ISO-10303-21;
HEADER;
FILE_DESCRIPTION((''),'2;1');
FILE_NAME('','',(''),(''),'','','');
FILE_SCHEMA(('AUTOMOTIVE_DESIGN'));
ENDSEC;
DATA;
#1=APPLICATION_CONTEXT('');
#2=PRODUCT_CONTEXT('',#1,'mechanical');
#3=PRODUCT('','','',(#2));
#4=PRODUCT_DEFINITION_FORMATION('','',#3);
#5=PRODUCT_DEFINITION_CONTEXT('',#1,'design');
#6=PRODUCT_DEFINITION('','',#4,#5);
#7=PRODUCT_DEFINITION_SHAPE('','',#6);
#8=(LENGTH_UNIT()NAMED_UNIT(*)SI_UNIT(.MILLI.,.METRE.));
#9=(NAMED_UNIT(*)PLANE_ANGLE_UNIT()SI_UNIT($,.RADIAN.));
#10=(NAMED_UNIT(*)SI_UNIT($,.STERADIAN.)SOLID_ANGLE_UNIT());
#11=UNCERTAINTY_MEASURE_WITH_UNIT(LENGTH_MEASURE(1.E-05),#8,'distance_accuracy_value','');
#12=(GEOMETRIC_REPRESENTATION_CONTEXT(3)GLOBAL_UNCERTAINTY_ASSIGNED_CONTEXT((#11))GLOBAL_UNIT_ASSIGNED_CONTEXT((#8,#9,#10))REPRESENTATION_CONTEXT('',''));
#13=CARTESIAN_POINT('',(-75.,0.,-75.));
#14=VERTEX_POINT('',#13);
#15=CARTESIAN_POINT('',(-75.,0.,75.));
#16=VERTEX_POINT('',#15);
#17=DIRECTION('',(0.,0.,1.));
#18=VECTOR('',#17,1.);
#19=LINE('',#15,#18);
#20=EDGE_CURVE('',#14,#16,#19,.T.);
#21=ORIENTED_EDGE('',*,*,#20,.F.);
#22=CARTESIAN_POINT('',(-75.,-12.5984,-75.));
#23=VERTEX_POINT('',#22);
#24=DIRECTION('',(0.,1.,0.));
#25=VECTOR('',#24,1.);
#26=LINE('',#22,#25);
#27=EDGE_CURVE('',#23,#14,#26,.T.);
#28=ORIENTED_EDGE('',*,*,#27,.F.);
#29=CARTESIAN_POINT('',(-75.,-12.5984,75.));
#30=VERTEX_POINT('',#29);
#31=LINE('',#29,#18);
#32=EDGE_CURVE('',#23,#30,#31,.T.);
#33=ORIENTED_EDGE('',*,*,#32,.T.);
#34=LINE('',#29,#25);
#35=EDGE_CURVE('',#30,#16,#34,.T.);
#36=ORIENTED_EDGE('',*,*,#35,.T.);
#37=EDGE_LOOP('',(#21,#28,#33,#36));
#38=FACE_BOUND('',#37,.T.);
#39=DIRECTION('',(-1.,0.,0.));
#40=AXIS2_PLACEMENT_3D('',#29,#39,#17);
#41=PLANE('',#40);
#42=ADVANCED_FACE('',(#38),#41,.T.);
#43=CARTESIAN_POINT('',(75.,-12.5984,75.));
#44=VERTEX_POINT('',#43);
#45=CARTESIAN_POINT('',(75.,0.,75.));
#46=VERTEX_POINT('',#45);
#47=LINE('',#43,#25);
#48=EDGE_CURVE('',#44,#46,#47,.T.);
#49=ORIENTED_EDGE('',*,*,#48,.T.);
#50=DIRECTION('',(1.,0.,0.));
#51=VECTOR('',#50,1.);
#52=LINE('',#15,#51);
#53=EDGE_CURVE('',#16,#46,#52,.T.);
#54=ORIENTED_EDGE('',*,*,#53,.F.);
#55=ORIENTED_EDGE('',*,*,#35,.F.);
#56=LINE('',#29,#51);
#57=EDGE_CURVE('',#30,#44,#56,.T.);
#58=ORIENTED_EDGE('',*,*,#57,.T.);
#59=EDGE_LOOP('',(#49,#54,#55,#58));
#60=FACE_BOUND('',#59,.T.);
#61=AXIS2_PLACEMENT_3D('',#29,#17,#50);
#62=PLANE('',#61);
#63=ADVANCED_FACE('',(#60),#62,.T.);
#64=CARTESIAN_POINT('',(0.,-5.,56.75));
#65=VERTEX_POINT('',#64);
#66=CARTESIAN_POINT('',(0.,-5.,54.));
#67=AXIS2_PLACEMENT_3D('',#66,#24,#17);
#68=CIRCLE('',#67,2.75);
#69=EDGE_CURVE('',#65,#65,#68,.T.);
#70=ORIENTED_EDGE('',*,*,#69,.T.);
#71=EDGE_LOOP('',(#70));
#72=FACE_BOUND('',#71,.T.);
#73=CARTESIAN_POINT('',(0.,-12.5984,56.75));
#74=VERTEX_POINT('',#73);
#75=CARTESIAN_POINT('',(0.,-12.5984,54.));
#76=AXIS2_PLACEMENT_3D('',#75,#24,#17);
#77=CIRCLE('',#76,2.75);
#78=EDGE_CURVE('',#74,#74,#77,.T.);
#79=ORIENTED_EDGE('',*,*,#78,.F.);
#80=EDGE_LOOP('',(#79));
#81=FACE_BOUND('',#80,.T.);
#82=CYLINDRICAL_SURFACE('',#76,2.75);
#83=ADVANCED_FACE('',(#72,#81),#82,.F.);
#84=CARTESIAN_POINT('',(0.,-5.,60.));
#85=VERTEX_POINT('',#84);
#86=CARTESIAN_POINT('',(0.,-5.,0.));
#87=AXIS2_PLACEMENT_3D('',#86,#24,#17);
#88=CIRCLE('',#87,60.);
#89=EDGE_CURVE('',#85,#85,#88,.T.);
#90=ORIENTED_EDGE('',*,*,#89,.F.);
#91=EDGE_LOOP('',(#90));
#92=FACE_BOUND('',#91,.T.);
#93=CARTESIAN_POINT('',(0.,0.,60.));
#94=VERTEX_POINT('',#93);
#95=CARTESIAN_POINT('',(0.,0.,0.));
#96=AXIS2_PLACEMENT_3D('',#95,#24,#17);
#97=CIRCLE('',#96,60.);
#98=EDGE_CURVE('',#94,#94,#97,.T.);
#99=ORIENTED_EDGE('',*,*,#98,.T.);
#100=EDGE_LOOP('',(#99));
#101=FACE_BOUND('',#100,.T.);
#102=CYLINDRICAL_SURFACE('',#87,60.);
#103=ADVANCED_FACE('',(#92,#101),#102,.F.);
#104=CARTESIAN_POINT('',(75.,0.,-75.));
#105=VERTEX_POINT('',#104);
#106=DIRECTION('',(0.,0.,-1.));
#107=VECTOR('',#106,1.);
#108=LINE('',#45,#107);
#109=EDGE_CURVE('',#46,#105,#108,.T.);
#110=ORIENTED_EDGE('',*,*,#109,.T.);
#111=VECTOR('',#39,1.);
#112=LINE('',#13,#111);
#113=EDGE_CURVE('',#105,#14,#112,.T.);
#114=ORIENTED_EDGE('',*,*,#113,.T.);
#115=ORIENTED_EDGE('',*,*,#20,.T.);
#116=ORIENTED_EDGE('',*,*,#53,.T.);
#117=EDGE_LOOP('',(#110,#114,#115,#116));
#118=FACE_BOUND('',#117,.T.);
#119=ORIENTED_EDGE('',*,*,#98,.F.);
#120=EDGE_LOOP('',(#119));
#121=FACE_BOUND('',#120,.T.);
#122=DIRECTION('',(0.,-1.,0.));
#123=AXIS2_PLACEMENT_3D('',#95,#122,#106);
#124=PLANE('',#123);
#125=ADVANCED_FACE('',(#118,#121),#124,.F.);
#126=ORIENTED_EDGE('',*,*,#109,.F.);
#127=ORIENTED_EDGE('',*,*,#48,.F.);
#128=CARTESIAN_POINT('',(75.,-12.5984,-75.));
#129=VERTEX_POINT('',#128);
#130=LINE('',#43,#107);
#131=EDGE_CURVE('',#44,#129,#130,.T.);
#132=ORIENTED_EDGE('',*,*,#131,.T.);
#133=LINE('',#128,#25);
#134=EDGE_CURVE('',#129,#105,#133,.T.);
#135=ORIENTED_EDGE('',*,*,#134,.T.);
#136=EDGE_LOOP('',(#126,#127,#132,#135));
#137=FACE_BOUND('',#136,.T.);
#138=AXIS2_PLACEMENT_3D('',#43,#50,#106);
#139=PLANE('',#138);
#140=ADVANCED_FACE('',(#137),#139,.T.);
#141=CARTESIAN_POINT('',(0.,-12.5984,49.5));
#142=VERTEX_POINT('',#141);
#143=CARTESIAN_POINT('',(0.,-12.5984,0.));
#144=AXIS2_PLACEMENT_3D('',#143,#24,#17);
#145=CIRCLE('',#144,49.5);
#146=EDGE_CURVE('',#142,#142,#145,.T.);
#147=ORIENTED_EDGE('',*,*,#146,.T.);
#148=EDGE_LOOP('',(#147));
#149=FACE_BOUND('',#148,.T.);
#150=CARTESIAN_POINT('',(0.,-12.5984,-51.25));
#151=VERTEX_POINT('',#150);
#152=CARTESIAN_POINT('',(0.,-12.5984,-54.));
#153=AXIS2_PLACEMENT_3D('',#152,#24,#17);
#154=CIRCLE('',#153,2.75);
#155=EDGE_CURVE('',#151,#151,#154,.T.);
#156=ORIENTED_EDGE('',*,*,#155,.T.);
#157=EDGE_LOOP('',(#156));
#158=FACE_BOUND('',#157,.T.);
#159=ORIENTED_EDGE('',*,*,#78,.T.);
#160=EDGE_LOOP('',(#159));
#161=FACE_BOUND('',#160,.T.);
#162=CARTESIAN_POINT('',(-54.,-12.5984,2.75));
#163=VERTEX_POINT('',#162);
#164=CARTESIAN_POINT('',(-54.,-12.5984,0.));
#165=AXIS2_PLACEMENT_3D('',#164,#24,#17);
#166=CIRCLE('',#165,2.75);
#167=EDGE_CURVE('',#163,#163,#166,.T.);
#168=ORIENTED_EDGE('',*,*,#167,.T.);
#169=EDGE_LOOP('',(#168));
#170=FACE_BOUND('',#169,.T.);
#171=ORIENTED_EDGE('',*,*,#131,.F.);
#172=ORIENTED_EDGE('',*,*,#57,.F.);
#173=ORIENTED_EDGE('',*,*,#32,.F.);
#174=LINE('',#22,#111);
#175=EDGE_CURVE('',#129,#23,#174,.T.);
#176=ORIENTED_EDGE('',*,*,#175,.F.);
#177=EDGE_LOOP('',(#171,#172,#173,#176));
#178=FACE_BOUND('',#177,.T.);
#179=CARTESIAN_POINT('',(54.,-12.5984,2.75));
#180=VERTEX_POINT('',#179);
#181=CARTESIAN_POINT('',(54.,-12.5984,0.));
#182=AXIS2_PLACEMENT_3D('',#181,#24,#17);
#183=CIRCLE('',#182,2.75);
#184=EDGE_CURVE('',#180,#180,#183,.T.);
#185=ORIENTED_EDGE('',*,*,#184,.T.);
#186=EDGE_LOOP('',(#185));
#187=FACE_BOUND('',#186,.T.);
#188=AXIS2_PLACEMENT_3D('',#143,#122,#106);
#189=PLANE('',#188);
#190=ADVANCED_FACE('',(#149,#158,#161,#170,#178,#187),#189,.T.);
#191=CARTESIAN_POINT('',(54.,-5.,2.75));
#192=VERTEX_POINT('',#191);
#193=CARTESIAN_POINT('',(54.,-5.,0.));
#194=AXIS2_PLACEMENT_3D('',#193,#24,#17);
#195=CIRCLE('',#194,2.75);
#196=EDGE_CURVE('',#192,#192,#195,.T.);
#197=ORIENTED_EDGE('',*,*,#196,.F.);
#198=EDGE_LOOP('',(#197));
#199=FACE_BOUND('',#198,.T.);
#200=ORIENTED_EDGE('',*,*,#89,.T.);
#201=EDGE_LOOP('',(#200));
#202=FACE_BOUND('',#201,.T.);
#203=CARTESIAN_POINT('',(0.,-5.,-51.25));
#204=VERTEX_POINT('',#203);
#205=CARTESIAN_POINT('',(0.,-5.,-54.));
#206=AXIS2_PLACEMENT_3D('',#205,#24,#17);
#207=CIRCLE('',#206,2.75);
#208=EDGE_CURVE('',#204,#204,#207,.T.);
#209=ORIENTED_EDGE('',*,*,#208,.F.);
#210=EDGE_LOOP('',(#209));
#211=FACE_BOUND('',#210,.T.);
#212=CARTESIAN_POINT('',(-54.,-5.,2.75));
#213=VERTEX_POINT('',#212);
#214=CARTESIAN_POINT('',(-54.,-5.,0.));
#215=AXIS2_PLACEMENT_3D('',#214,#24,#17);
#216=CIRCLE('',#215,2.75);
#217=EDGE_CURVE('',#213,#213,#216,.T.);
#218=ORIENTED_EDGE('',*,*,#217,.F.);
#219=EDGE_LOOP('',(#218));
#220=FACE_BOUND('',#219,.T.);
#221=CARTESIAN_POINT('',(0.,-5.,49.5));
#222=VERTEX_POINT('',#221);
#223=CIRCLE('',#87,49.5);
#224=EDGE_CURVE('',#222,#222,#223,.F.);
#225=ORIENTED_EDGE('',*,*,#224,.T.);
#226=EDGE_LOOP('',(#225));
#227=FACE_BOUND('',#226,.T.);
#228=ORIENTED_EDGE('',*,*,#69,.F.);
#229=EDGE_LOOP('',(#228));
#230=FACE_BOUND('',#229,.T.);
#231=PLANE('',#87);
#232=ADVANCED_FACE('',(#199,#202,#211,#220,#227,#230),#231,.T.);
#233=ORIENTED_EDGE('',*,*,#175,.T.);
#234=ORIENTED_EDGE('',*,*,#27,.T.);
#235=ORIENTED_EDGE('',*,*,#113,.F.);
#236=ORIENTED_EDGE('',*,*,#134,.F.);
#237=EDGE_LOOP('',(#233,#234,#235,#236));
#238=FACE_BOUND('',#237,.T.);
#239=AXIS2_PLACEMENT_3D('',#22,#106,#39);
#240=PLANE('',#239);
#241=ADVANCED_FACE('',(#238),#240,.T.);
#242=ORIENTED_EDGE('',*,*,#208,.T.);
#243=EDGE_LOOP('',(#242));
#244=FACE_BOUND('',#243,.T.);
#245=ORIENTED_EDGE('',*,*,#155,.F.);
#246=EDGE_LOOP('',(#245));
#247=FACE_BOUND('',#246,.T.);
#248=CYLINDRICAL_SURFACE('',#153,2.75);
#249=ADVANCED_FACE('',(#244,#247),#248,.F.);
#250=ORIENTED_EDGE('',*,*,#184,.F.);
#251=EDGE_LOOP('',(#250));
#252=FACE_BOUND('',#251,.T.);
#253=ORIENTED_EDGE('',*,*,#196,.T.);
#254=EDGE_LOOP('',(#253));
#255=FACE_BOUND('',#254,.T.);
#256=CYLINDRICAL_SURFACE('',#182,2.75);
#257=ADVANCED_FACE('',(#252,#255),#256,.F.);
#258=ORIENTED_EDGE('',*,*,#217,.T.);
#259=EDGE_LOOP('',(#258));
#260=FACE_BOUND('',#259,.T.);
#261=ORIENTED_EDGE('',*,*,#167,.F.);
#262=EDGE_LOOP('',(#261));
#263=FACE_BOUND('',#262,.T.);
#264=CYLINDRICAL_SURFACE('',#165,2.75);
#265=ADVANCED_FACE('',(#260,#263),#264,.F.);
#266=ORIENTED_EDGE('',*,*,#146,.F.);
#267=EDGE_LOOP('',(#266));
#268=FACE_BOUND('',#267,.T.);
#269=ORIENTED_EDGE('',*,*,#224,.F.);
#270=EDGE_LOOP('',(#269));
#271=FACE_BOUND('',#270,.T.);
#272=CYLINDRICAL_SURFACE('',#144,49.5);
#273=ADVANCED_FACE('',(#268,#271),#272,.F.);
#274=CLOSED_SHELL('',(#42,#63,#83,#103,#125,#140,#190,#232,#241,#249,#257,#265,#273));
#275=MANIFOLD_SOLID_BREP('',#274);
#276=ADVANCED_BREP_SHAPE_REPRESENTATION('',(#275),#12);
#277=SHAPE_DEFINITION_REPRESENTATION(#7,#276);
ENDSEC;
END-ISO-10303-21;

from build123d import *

# Parameters (mm, degrees)
SKETCH1_W               = 150
SKETCH1_H               = 150
SKETCH1_R               = 49.5
BOSS_EXTRUDE1_DEPTH     = 12.5984
SKETCH2_R               = 60
CUT_EXTRUDE1_DEPTH      = 5
CUT_EXTRUDE2_DEPTH      = 107.81160837
CUT_EXTRUDE2_DEPTH_BACK = 107.81160837
SKETCH3_R               = 2.75


with BuildPart() as part:
    # Sketch1 → Boss-Extrude1 (new body)
    with BuildSketch(Plane(origin=(0, 0, 0), x_dir=(1, 0, 0), z_dir=(0, 1, 0))):
        Rectangle(SKETCH1_W, SKETCH1_H)
        with Locations(Location((0, 0, 0), (0, 0, 270))):
            Circle(SKETCH1_R, mode=Mode.SUBTRACT)
    extrude(amount=-BOSS_EXTRUDE1_DEPTH)

    # Sketch2 → Cut-Extrude1 (cut)
    with BuildSketch(Plane(origin=(0, 0, 0), x_dir=(1, 0, 0), z_dir=(0, 1, 0))):
        with Locations(Location((0, 0, 0), (0, 0, 270))):
            Circle(SKETCH2_R)
    extrude(amount=-CUT_EXTRUDE1_DEPTH, mode=Mode.SUBTRACT)

    # Sketch3 → Cut-Extrude2 (cut, two sides: drawn at the far end of the back side and taken through both)
    with BuildSketch(Plane(origin=(0, 0, 0), x_dir=(1, 0, 0), z_dir=(0, 1, 0)).offset(-CUT_EXTRUDE2_DEPTH_BACK)):
        with Locations(Location((-54, 0, 0), (0, 0, 270))):
            Circle(SKETCH3_R)
        with Locations(Location((0, 54, 0), (0, 0, 270))):
            Circle(SKETCH3_R)
        with Locations(Location((54, 0, 0), (0, 0, 270))):
            Circle(SKETCH3_R)
        with Locations(Location((0, -54, 0), (0, 0, 270))):
            Circle(SKETCH3_R)
    extrude(amount=CUT_EXTRUDE2_DEPTH + CUT_EXTRUDE2_DEPTH_BACK, mode=Mode.SUBTRACT)


solid = part.part
